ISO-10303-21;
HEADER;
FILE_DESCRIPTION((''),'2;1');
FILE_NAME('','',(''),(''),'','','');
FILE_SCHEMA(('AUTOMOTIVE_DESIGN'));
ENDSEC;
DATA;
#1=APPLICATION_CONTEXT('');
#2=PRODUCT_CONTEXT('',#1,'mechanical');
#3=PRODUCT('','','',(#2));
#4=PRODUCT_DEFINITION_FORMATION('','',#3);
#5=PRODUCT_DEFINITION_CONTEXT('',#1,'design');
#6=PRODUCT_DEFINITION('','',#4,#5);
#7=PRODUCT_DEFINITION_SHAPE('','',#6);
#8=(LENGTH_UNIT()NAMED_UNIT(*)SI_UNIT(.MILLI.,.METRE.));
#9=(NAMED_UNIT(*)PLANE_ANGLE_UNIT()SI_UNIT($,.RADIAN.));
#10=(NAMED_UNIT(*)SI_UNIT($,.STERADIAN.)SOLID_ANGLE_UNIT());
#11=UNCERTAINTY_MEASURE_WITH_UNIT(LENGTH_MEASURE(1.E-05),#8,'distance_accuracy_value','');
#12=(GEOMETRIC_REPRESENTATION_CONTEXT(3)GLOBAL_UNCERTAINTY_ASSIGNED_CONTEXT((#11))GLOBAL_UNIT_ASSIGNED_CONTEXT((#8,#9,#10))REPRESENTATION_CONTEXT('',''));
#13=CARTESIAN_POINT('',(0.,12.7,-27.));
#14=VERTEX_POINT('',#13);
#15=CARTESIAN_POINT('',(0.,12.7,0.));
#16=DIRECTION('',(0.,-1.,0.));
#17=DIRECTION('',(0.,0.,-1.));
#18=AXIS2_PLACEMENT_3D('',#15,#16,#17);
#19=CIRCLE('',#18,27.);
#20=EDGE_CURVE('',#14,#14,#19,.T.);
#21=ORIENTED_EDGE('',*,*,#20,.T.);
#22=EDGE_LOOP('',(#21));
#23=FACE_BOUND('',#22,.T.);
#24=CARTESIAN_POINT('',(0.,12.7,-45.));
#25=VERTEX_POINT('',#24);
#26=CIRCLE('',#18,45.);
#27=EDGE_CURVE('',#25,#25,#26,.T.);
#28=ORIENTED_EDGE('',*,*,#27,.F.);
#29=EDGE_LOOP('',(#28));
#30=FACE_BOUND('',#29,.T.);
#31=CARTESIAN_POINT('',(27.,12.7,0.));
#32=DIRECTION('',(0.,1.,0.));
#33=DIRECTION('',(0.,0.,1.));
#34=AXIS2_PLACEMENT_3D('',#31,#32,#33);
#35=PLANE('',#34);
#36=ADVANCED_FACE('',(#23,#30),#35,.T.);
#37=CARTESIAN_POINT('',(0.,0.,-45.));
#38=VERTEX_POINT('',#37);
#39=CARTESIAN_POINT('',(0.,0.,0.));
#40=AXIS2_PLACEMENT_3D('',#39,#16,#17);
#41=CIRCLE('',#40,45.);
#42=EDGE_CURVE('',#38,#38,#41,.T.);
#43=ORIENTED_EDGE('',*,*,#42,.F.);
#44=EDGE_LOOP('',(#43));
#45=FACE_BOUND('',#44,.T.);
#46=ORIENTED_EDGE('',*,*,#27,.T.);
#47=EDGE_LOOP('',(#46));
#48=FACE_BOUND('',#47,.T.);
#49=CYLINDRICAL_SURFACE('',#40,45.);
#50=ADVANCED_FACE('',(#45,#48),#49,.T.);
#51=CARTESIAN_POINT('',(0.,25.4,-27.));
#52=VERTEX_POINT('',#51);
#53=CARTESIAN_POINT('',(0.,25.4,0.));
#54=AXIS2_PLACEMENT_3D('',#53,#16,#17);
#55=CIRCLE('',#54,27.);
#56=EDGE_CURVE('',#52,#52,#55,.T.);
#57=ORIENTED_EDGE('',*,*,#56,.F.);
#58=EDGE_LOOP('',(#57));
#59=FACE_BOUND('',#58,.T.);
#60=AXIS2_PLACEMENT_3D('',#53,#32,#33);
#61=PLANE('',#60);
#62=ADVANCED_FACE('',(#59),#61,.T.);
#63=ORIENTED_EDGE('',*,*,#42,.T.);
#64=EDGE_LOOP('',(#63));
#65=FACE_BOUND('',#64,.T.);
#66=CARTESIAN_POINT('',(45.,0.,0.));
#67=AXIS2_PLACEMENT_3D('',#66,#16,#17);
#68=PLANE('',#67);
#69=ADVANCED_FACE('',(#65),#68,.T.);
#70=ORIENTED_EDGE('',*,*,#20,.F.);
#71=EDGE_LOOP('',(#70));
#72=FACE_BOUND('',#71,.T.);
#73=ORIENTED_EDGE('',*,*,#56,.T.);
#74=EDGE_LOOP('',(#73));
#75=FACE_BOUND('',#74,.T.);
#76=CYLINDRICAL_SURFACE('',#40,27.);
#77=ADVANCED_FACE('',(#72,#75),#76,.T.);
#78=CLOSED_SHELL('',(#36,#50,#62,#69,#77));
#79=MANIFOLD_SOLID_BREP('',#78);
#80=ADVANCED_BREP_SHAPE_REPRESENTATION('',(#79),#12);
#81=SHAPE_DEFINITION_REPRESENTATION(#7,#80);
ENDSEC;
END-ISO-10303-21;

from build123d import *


with BuildPart() as part:
    # Sketch2 → Revolve1 (revolve)
    with BuildSketch(Plane.XY, mode=Mode.PRIVATE) as revolve1_sk:
        Polygon((0, 0), (0, 25.4), (27.000000008, 25.4), (27.000000008, 12.7), (45, 12.7), (45, 0), align=None)
    revolve(revolve1_sk.sketch.rotate(Axis((0, 0, 0), (0, 1, 0)), 90), axis=Axis((0, 0, 0), (0, 1, 0)))


solid = part.part
